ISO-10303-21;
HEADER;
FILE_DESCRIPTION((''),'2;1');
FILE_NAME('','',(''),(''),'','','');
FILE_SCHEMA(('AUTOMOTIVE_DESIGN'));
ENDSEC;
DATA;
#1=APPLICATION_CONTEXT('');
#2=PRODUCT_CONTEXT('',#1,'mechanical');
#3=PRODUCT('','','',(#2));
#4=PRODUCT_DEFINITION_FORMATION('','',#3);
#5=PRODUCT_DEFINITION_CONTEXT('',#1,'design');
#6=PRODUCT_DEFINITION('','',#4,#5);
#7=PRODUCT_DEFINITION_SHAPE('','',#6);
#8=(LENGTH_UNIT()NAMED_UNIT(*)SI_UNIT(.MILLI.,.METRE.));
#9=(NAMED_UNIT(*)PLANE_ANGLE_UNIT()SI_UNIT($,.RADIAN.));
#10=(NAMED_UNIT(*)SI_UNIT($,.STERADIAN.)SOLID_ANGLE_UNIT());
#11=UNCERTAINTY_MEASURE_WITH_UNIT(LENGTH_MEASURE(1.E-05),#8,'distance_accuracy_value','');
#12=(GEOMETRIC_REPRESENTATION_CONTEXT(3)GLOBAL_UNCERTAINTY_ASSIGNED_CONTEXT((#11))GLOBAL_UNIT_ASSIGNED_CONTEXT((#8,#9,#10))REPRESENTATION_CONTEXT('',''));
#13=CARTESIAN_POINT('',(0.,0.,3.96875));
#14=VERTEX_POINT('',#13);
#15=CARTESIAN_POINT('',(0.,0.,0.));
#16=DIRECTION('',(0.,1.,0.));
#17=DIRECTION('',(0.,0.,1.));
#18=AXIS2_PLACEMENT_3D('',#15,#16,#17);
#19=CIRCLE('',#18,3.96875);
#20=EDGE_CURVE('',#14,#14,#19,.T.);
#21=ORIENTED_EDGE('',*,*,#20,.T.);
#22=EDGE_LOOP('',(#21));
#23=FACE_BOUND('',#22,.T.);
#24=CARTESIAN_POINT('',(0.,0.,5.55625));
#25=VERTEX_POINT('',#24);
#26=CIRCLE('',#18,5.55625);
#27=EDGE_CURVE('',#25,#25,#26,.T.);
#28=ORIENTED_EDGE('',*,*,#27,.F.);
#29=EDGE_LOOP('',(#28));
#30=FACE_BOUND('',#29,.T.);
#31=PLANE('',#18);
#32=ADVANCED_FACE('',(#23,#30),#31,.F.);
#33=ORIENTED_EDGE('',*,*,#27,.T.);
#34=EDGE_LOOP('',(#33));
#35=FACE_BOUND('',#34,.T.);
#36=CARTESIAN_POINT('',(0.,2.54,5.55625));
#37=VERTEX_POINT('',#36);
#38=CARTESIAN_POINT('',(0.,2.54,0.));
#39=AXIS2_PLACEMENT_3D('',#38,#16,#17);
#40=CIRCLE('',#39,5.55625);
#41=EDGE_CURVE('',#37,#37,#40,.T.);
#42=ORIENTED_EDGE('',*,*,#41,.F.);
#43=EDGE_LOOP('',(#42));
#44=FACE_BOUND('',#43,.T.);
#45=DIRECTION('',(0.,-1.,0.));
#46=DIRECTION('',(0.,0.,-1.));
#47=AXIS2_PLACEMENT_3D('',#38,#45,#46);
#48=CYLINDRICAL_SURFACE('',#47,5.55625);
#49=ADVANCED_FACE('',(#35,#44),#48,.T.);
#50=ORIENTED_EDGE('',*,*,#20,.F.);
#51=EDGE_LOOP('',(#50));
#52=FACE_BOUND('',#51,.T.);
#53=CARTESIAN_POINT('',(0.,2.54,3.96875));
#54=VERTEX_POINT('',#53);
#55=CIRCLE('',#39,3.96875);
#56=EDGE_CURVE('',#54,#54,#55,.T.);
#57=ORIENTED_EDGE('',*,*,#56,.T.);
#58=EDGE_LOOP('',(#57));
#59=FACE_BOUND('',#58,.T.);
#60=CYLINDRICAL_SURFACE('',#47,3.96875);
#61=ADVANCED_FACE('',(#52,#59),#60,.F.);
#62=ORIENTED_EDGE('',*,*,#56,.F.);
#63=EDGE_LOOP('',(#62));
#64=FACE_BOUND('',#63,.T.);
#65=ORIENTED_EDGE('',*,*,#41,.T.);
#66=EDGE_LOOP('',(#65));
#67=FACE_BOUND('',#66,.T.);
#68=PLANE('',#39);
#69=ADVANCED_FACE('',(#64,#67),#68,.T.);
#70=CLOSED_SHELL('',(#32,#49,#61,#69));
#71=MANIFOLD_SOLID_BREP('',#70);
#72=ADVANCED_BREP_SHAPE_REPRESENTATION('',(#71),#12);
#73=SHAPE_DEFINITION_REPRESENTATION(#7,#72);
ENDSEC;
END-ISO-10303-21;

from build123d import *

# Parameters (mm, degrees)
SKETCH1_R           = 5.55625
SKETCH1_R_2         = 3.96875
BOSS_EXTRUDE1_DEPTH = 2.54


with BuildPart() as part:
    # Sketch1 → Boss-Extrude1 (new body)
    with BuildSketch(Plane(origin=(0, 0, 0), x_dir=(1, 0, 0), z_dir=(0, 1, 0))):
        with Locations(Location((0, 0, 0), (0, 0, 270))):
            Circle(SKETCH1_R)
        with Locations(Location((0, 0, 0), (0, 0, 270))):
            Circle(SKETCH1_R_2, mode=Mode.SUBTRACT)
    extrude(amount=BOSS_EXTRUDE1_DEPTH)


solid = part.part
